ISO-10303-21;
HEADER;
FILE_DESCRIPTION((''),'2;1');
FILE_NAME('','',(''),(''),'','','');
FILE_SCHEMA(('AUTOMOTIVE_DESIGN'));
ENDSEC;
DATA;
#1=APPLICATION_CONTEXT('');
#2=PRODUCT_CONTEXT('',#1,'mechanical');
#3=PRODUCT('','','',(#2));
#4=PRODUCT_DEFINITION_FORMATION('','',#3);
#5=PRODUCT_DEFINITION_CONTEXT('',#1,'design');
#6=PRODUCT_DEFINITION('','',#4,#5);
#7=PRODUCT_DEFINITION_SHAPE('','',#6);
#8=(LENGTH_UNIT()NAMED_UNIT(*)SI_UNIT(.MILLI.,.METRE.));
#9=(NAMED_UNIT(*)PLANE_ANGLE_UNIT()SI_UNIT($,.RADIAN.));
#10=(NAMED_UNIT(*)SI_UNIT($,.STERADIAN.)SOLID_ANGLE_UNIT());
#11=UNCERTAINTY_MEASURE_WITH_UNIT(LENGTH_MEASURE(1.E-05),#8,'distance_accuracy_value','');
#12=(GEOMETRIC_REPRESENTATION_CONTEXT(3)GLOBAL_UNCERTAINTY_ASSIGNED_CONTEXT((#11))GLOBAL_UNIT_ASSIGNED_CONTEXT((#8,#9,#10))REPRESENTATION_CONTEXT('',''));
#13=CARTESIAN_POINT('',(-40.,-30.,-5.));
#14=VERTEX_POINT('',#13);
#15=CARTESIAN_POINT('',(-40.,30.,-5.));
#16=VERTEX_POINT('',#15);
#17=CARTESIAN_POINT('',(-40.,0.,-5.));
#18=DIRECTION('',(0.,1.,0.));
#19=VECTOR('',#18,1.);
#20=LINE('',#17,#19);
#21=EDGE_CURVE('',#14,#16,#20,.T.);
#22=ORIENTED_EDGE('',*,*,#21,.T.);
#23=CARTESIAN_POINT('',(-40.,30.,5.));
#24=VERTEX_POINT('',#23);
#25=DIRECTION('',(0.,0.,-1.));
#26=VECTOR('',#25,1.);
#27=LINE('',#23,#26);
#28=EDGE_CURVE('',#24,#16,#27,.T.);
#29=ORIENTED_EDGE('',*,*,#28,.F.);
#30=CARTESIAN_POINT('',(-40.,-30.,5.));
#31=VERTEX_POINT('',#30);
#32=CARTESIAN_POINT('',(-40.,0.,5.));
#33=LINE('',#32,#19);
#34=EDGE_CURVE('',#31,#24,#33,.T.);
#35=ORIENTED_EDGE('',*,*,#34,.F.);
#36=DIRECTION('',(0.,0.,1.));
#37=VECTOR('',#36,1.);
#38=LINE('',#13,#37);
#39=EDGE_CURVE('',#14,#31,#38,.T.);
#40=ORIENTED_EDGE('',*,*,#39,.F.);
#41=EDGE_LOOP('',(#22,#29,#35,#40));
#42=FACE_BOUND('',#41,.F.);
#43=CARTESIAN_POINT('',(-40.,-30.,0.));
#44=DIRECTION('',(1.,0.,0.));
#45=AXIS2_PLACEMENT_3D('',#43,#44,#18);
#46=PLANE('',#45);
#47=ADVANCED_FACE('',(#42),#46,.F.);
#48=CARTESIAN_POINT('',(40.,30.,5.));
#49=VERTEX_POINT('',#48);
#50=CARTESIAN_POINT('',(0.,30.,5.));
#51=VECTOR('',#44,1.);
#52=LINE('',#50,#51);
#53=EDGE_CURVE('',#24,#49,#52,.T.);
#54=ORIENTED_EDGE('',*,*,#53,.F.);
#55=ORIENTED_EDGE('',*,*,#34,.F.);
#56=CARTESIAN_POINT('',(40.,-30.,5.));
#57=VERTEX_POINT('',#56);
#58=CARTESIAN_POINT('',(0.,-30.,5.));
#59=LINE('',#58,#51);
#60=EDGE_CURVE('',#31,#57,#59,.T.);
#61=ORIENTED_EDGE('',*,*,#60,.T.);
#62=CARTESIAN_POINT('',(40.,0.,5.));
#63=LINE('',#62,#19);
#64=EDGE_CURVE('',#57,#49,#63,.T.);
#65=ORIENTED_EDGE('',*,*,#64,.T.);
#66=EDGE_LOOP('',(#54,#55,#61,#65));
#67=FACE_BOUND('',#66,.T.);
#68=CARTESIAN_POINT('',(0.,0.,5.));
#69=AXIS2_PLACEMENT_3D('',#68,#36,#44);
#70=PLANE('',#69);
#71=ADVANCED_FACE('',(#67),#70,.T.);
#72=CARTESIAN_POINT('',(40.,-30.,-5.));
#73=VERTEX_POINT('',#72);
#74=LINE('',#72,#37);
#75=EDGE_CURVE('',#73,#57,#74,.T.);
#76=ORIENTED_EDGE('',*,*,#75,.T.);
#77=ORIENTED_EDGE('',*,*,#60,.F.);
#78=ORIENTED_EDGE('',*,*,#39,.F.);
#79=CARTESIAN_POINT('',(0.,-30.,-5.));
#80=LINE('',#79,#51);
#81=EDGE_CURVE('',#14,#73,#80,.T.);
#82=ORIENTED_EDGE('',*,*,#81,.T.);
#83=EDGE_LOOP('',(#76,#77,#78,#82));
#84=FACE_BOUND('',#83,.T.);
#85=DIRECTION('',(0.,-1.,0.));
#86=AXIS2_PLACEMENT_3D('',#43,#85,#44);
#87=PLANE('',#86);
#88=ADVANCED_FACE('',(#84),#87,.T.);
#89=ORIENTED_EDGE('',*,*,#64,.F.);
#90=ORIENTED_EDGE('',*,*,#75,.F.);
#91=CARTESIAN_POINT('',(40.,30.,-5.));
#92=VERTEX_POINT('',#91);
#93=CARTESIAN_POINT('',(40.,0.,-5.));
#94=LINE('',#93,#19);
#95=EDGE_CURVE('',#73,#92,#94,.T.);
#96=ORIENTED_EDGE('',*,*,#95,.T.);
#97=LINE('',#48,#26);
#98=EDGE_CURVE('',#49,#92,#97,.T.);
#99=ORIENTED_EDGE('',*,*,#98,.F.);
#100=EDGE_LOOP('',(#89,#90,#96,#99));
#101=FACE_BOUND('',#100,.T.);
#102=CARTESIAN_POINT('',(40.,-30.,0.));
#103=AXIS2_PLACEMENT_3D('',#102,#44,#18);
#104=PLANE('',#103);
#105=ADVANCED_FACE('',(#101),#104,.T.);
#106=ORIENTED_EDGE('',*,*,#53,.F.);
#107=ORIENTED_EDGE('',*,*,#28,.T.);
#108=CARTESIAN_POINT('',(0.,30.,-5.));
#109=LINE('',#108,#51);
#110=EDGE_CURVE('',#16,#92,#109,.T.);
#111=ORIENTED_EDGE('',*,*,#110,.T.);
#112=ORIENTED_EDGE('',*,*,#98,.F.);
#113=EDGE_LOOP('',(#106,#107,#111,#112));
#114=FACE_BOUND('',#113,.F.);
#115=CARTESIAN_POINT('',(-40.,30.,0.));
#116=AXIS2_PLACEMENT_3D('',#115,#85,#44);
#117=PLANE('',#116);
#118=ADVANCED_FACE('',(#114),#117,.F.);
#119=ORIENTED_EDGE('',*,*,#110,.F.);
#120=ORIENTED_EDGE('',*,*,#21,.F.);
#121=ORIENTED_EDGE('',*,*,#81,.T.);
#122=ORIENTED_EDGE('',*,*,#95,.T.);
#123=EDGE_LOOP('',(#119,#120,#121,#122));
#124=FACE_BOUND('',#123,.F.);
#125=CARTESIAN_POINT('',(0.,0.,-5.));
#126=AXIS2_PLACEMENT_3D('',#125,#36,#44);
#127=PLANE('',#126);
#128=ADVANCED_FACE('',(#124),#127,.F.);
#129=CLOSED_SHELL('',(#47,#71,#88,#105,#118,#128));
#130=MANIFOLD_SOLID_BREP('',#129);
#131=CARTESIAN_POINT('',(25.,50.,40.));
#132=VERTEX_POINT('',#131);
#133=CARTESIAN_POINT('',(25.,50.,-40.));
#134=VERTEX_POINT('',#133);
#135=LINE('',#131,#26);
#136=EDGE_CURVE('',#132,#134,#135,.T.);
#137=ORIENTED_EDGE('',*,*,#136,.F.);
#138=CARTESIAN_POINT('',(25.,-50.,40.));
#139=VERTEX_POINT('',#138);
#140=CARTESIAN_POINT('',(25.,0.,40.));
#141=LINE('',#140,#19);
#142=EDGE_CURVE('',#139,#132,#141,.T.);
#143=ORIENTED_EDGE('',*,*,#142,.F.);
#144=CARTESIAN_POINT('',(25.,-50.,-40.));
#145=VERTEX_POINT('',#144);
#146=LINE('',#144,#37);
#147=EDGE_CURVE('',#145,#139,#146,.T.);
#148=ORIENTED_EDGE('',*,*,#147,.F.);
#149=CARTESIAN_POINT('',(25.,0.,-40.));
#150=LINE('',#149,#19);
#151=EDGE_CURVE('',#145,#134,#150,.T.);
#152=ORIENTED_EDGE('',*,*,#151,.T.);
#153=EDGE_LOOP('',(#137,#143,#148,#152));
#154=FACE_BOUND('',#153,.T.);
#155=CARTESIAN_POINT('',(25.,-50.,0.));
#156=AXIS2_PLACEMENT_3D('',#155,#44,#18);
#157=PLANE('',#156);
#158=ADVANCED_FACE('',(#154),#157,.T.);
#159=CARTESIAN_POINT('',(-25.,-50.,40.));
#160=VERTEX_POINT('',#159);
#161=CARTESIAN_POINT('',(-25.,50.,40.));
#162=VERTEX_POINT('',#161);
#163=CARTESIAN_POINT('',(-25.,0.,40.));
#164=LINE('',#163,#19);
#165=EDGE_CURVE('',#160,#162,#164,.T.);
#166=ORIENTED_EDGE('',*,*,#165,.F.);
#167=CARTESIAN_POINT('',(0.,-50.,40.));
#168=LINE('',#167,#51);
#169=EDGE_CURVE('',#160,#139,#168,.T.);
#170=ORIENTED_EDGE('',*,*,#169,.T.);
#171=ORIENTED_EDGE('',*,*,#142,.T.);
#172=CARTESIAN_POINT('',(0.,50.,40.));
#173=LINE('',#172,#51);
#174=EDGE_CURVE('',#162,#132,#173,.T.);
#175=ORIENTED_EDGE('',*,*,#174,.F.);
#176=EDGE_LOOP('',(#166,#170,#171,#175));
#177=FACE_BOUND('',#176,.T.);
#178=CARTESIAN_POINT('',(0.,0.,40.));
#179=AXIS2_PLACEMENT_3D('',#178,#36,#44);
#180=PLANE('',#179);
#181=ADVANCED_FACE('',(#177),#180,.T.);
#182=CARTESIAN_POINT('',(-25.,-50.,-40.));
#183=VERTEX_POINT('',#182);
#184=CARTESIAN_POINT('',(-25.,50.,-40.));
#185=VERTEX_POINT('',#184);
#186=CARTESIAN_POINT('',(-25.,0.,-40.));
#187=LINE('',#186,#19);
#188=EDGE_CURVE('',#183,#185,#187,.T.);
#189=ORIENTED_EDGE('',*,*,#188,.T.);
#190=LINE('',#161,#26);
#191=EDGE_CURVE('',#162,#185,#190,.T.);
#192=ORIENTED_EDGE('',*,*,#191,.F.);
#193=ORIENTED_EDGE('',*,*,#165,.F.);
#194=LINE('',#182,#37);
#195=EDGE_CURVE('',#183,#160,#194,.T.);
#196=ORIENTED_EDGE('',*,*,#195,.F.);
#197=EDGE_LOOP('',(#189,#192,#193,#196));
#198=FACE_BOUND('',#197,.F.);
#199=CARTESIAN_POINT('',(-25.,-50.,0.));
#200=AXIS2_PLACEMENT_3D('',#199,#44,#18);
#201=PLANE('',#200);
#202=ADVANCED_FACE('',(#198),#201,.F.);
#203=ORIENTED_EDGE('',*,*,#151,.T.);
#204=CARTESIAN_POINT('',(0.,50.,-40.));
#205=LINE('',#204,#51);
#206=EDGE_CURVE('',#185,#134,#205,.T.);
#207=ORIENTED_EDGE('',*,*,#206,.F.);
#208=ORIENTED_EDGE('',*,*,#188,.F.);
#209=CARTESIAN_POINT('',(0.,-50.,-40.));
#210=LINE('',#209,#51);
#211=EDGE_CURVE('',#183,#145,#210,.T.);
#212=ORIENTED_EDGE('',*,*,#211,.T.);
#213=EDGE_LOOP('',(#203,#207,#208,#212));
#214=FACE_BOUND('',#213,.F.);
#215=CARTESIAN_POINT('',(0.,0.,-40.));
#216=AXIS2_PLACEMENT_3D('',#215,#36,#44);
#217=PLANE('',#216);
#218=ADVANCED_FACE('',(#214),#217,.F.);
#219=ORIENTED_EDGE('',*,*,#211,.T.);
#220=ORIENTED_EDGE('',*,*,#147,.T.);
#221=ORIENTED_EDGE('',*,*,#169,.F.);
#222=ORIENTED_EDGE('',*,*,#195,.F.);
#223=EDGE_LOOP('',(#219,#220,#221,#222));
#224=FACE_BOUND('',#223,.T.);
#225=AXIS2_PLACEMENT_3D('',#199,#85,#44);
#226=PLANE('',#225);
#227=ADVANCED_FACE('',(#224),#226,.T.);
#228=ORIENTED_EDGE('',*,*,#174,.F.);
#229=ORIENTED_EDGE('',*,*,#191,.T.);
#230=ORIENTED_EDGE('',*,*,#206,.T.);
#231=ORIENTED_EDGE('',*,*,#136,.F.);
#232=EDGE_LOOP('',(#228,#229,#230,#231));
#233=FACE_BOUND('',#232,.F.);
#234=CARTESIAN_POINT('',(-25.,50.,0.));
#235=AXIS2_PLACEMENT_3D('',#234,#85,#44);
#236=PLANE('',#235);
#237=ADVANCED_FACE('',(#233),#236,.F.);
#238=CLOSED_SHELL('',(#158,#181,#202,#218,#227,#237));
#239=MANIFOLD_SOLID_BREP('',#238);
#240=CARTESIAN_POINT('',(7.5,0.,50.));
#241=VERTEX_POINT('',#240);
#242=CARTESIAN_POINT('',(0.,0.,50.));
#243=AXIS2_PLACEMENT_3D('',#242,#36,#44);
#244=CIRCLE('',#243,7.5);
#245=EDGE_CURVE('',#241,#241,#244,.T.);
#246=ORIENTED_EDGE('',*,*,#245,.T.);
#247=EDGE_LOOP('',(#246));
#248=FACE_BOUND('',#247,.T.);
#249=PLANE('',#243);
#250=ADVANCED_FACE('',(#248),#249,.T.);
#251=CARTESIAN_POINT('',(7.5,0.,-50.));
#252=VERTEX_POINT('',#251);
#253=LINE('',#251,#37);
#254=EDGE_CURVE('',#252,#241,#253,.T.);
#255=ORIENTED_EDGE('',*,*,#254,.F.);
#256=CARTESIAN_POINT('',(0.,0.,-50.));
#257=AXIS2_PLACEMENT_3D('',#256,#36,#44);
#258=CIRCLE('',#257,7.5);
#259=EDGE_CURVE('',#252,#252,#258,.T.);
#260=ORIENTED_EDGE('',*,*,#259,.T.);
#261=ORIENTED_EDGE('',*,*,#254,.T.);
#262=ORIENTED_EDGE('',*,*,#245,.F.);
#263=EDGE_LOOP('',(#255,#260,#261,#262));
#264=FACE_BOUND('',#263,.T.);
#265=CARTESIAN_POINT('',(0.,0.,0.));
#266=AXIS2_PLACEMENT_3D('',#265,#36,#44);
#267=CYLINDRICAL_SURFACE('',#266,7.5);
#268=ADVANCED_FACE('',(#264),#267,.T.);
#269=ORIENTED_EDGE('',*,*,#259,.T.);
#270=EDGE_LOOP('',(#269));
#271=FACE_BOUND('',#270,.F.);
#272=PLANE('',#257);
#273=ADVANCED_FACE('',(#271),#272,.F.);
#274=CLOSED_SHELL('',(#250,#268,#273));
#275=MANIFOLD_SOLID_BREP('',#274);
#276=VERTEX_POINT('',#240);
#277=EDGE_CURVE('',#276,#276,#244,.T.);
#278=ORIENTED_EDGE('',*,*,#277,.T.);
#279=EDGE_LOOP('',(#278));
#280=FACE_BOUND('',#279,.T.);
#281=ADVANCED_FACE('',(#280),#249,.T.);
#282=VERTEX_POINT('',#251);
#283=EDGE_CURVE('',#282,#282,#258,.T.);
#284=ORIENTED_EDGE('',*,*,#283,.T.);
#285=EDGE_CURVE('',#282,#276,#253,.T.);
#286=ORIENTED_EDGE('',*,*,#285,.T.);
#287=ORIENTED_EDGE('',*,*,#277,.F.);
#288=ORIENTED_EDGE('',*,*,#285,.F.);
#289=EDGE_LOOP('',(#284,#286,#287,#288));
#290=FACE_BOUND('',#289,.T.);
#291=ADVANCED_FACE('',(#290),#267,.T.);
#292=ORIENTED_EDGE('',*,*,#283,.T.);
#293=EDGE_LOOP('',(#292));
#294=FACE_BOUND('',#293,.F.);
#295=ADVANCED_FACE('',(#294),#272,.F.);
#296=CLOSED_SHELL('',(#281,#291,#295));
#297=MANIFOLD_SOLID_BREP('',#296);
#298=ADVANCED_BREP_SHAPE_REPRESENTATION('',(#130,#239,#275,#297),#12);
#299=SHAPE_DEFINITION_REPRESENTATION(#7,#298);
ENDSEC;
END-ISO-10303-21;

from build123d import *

# Parameters (mm, degrees)
F0_W     = 50
F0_H     = 100
F1_DEPTH = 40
F2_R     = 7.5
F3_DEPTH = 50
F4_R     = 7.5
F5_DEPTH = 50
F6_W     = 80
F6_H     = 60
F7_DEPTH = 5


with BuildPart() as f1:
    # F0 (on Top) → F1 (new body, symmetric)
    with BuildSketch(Plane.XY):
        Rectangle(F0_W, F0_H)
    extrude(amount=F1_DEPTH, both=True)


with BuildPart() as f3:
    # F2 (on Top) → F3 (new body, symmetric)
    with BuildSketch(Plane.XY):
        Circle(F2_R)
    extrude(amount=F3_DEPTH, both=True)


with BuildPart() as f5:
    # F4 (on Top) → F5 (new body, symmetric)
    with BuildSketch(Plane.XY):
        Circle(F4_R)
    extrude(amount=F5_DEPTH, both=True)


with BuildPart() as f7:
    # F6 (on Top) → F7 (new body, symmetric)
    with BuildSketch(Plane.XY):
        Rectangle(F6_W, F6_H)
    extrude(amount=F7_DEPTH, both=True)


solid = Compound([f1.part, f3.part, f5.part, f7.part])
